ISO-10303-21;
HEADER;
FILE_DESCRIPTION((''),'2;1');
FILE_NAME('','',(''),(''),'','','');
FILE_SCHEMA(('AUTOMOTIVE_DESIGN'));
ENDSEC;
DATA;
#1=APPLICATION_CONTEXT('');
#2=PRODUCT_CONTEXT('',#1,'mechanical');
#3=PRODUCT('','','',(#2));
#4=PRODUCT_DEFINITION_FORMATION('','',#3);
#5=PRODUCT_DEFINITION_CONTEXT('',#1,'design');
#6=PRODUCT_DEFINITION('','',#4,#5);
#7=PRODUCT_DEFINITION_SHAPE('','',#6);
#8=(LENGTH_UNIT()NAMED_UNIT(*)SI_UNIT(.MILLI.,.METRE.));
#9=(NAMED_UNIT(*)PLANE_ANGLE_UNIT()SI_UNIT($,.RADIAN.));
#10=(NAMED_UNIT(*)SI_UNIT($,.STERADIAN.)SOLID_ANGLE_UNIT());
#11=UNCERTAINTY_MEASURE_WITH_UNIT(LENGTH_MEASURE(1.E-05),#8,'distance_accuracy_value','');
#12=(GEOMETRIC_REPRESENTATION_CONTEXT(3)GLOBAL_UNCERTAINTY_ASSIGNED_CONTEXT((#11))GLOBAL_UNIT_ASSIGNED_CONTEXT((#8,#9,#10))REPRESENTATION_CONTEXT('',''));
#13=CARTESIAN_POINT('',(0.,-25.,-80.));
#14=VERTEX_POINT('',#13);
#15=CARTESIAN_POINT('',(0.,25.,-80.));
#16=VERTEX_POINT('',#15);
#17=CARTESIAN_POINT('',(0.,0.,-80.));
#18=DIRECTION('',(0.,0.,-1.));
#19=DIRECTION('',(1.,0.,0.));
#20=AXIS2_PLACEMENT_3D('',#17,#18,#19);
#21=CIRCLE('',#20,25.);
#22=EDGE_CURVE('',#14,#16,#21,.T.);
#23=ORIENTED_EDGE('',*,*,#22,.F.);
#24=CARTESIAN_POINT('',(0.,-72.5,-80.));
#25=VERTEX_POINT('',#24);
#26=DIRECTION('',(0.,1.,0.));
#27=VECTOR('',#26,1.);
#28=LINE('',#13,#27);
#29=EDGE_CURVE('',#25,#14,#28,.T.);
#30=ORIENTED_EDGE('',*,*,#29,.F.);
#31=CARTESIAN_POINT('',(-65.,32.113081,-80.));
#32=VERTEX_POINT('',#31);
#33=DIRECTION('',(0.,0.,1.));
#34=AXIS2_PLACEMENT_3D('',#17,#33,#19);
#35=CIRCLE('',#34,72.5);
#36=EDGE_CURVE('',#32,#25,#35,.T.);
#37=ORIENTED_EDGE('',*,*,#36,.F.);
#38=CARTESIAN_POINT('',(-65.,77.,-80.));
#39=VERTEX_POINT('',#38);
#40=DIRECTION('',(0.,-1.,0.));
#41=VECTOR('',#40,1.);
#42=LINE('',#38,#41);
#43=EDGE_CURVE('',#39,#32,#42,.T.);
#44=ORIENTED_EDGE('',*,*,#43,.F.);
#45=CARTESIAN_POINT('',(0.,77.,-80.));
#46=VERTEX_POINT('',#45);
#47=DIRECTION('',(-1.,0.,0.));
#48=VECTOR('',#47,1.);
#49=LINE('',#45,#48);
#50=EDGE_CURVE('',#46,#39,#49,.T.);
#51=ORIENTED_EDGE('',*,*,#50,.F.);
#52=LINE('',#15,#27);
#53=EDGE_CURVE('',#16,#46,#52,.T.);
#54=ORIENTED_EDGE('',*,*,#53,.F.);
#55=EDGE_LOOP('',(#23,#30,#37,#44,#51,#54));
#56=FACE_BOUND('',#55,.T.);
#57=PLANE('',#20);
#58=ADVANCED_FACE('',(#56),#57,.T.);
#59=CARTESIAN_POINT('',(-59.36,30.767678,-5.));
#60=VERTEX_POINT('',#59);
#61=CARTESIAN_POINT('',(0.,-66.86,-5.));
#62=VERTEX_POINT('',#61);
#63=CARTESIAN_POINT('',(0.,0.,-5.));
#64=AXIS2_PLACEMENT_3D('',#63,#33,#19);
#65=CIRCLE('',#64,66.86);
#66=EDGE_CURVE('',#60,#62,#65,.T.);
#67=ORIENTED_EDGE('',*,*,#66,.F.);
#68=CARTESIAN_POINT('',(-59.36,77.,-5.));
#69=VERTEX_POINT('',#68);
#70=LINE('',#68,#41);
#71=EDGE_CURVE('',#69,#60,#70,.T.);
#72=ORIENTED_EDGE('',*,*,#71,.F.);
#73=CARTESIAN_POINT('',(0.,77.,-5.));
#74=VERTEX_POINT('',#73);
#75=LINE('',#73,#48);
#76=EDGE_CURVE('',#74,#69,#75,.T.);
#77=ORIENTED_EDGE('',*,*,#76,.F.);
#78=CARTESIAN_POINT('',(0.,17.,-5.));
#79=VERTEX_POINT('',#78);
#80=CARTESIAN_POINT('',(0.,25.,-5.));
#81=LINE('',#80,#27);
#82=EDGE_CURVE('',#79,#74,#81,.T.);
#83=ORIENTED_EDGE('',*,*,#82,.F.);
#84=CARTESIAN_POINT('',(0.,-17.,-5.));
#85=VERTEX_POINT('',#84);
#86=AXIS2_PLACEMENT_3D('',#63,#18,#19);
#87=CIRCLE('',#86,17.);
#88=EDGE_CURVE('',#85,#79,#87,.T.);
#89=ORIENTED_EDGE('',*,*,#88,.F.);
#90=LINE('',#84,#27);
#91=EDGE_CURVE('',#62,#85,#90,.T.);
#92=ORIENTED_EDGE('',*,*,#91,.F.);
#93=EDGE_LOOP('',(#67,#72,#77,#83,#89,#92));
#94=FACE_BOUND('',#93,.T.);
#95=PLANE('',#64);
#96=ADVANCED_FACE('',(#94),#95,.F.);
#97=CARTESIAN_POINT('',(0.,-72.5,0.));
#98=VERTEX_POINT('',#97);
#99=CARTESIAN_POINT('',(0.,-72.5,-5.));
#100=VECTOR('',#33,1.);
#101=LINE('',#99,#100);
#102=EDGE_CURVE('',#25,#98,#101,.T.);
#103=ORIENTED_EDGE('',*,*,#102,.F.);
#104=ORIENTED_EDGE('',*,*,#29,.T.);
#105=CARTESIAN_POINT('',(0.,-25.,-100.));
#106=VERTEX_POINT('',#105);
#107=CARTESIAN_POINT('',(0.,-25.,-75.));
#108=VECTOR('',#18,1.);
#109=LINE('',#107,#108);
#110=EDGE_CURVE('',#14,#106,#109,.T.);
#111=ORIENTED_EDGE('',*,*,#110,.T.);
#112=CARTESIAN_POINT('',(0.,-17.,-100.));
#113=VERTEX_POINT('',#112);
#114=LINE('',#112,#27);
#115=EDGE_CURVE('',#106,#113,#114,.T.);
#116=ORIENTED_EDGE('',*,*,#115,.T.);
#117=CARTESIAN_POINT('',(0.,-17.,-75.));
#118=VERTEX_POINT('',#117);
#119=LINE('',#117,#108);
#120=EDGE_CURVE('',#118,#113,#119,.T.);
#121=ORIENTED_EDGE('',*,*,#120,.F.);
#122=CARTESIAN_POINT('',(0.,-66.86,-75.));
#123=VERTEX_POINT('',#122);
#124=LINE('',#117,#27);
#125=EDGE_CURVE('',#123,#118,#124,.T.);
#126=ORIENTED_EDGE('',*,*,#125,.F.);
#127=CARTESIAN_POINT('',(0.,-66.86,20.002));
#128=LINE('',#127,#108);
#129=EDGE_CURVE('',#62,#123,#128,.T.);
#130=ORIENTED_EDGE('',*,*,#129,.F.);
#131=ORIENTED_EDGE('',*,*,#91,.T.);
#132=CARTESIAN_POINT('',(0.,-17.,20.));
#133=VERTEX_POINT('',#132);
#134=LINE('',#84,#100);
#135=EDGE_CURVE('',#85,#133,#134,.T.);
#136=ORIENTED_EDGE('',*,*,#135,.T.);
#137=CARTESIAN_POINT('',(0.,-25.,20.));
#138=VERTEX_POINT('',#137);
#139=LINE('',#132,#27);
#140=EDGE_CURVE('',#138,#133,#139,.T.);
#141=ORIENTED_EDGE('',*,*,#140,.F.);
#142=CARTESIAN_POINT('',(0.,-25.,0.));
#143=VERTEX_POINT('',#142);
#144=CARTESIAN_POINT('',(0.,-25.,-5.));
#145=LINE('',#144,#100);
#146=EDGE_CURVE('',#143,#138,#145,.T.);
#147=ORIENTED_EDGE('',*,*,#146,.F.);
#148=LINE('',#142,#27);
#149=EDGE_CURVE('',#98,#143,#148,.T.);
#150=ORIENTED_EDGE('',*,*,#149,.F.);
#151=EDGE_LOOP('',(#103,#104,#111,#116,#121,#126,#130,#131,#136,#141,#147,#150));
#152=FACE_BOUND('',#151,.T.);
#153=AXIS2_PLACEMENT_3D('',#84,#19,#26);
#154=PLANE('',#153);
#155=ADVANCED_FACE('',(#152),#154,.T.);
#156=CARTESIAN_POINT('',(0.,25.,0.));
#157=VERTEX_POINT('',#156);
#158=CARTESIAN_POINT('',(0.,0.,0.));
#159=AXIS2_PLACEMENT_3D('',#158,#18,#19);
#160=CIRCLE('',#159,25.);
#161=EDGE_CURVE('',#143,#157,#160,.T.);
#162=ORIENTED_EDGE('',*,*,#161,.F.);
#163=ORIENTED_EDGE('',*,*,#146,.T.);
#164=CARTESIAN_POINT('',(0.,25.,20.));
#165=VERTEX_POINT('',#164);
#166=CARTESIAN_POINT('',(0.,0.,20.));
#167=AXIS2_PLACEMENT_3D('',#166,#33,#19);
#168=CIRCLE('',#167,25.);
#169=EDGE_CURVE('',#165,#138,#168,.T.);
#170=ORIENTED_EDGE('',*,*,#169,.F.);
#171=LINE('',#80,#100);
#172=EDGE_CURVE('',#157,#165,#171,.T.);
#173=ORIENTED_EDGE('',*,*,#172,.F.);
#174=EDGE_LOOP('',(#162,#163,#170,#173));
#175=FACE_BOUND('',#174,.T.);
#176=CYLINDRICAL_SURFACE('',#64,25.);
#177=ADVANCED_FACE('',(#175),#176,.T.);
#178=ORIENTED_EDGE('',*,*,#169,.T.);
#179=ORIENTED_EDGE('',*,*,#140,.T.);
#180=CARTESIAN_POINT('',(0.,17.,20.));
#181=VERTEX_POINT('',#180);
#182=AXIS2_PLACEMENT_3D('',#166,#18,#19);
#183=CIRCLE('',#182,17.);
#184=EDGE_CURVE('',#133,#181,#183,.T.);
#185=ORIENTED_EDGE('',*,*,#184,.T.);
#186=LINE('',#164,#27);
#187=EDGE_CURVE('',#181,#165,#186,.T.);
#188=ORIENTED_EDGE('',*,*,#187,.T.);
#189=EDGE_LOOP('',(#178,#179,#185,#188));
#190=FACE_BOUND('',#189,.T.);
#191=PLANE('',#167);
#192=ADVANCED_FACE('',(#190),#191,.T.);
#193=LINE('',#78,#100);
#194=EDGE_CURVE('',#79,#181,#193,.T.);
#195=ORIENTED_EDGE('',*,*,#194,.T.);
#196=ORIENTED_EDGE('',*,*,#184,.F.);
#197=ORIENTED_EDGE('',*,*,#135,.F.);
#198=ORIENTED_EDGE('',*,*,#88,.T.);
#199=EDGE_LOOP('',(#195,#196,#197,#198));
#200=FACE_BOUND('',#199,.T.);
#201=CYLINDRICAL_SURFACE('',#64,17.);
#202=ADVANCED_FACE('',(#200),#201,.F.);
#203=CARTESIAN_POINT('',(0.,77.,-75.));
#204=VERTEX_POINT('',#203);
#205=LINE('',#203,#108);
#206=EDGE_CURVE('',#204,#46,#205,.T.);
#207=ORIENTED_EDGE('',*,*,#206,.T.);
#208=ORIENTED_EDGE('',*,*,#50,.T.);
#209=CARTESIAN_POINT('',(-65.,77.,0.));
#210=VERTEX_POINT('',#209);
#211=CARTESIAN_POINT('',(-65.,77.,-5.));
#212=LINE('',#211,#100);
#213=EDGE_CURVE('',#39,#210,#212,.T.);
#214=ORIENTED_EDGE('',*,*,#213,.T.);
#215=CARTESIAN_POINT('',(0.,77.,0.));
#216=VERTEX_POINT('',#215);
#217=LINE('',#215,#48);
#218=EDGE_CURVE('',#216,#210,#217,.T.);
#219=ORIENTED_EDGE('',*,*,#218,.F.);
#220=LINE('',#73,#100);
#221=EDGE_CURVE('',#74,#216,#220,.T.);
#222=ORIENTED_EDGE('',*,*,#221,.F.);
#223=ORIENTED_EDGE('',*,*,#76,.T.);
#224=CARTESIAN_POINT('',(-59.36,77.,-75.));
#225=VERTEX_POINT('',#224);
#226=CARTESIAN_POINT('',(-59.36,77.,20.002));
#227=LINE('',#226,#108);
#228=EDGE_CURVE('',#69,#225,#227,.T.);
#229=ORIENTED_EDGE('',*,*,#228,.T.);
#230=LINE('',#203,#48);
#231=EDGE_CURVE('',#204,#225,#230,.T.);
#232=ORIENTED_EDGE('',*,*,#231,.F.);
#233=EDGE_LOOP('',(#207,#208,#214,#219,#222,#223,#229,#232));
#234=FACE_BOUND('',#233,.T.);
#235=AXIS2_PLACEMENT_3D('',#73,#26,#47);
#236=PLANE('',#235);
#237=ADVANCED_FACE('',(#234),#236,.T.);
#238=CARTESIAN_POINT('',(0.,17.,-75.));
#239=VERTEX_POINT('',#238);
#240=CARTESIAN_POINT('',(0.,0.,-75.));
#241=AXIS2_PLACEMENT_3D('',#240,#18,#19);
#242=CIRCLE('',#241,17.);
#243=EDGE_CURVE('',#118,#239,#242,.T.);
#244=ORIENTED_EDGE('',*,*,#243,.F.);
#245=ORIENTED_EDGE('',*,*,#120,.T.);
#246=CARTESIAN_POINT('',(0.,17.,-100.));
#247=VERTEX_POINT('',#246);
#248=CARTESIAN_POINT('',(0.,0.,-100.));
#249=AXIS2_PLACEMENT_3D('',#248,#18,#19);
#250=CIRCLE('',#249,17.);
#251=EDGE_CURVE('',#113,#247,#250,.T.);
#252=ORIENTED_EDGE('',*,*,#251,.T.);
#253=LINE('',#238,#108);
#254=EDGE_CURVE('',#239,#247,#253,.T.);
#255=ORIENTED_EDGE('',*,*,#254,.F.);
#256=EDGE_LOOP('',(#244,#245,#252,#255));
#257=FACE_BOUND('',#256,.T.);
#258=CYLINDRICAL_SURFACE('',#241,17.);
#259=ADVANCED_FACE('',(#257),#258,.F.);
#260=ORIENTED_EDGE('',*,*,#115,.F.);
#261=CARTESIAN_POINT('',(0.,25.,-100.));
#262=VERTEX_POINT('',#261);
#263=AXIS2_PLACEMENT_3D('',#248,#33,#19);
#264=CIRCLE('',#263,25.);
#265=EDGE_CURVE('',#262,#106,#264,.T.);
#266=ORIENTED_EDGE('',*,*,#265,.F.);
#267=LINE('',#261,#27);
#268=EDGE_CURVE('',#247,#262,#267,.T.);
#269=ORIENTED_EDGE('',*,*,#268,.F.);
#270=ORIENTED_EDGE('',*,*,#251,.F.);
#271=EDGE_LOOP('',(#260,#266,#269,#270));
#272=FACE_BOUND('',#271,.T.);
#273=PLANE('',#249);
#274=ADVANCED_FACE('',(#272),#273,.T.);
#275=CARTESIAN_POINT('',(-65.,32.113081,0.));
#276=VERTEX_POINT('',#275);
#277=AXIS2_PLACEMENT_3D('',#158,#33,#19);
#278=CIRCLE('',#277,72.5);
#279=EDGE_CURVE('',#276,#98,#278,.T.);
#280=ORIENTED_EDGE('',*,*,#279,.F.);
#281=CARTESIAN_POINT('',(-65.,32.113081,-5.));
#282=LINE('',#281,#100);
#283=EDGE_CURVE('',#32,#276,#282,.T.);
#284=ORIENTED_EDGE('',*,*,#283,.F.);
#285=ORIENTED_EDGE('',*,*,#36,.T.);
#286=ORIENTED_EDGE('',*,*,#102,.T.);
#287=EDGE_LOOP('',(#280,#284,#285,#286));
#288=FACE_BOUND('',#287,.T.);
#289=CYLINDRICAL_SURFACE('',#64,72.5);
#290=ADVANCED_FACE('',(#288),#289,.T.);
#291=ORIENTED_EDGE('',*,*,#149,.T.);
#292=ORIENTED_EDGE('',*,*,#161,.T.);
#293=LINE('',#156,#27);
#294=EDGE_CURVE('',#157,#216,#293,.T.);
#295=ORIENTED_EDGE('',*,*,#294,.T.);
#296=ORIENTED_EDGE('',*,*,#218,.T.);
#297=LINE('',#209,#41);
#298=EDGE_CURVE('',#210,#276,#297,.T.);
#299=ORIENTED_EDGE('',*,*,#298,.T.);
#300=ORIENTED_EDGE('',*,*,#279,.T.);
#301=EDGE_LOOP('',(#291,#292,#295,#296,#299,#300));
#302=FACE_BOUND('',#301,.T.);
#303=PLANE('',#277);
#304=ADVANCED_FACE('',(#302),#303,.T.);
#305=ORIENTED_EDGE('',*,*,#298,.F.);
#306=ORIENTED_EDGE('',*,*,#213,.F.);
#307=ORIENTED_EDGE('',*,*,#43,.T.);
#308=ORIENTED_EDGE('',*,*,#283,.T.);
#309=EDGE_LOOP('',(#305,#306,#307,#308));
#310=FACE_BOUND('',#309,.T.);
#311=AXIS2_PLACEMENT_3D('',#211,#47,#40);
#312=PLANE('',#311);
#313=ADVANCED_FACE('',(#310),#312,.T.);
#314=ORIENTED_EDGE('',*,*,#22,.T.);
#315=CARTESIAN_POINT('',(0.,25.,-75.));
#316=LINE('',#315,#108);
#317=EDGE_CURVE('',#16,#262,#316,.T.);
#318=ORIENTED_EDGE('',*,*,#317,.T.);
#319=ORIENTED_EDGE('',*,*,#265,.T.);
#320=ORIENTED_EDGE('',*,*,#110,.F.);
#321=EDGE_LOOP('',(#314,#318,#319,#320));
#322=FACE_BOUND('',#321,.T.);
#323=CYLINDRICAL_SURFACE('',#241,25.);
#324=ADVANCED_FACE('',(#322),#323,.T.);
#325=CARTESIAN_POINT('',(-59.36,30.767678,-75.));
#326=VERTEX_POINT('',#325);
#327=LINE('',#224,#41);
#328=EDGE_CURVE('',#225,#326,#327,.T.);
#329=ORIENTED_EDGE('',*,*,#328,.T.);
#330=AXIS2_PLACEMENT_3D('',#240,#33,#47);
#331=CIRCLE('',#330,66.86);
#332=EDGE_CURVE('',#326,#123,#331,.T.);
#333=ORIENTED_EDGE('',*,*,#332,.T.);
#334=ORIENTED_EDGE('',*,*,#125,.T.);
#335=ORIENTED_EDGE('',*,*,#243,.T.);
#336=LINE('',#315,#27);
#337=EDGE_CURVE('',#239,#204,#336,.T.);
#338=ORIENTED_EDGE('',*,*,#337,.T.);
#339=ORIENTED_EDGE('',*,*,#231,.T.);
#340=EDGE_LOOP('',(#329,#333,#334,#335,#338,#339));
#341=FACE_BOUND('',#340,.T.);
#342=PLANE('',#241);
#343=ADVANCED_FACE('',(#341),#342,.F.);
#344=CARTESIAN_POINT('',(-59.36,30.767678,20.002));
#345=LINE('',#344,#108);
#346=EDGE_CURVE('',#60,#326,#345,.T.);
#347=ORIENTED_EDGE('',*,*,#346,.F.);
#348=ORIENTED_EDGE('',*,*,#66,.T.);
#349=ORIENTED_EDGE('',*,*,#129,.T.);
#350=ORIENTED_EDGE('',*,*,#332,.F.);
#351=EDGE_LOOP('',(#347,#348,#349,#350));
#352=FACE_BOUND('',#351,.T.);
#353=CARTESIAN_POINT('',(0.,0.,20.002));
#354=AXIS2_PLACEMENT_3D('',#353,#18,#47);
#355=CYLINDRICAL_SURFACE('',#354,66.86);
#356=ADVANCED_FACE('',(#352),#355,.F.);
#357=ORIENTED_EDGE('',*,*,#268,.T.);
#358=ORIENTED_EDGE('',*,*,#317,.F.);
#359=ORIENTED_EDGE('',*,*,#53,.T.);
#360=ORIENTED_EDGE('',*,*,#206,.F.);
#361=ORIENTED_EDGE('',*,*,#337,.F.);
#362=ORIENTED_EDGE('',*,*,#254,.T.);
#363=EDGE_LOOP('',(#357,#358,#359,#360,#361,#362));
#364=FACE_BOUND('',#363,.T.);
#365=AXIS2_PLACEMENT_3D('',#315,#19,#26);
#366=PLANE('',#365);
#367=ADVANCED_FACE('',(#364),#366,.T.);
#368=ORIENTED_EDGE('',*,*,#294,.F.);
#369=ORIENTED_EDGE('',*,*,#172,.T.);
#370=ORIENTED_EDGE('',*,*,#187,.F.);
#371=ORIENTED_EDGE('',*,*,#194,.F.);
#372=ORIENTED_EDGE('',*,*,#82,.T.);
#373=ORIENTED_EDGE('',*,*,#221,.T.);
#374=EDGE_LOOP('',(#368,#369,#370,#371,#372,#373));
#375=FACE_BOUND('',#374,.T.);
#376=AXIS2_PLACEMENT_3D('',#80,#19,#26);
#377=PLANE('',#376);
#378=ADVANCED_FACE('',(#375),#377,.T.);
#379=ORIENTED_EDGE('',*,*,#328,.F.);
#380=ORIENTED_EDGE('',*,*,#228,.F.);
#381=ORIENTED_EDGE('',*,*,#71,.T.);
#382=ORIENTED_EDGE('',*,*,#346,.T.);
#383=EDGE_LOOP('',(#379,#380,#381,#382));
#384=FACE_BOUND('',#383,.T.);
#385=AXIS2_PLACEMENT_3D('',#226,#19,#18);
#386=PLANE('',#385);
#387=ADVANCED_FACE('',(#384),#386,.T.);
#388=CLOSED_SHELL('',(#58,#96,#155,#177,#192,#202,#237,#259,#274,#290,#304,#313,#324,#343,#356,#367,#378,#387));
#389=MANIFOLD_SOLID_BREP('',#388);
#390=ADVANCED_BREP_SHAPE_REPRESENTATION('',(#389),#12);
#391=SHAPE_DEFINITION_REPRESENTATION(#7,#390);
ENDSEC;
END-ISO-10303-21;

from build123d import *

# Parameters (mm, degrees)
BOSS_EXTRUDE1_DEPTH      = 20
BOSS_EXTRUDE1_DEPTH_BACK = 5
BOSS_EXTRUDE2_START      = -5
BOSS_EXTRUDE2_DEPTH      = 5
BOSS_EXTRUDE3_REACH      = 152.552
BOSS_EXTRUDE3_START      = -5


with BuildPart() as part:
    # Sketch1 → Boss-Extrude1 (new, two sides: drawn at the far end of the back side and taken through both)
    with BuildSketch(Plane.XY.offset(-BOSS_EXTRUDE1_DEPTH_BACK)):
        with BuildLine():
            Line((0, 25), (0, 17))
            ThreePointArc((0, 17), (-17, 0), (0, -17))
            Line((0, -17), (0, -25))
            ThreePointArc((0, -25), (-25, 0), (0, 25))
        make_face()
    extrude(amount=BOSS_EXTRUDE1_DEPTH + BOSS_EXTRUDE1_DEPTH_BACK)

    # Sketch2 → Boss-Extrude2 (add)
    with BuildSketch(Plane.XY.offset(BOSS_EXTRUDE2_START)):
        with BuildLine():
            Line((0, 25), (0, 77))
            Line((0, 77), (-65, 77))
            Line((-65, 77), (-65, 32.113081447))
            ThreePointArc((-65, 32.113081447), (-61.581037686, -38.262590053), (0, -72.5))
            Line((0, -72.5), (0, -25))
            ThreePointArc((0, -25), (-25, 0), (0, 25))
        make_face()
    extrude(amount=BOSS_EXTRUDE2_DEPTH)


with BuildPart() as body_2:
    # Mirror4: mirrored copy
    add(part.part.mirror(Plane.XY.offset(-40)))


with BuildPart() as part_1:
    add(part.part)

    # Sketch3 → Boss-Extrude3 (add, up to next)
    with BuildSketch(Plane(origin=(0, 0, -80), x_dir=(-1, 0, 0), z_dir=(0, 0, -1)).offset(BOSS_EXTRUDE3_START), mode=Mode.PRIVATE) as boss_extrude3_sk1:
        with BuildLine():
            Line((65, 77), (65, 32.113081447))
            ThreePointArc((65, 32.113081447), (61.581037686, -38.262590053), (0, -72.5))
            Line((0, -72.5), (0, -66.86))
            ThreePointArc((0, -66.86), (57.128742944, -34.735663656), (59.36, 30.767677845))
            Line((59.36, 30.767677845), (59.36, 77))
            Line((59.36, 77), (65, 77))
        make_face()
    boss_extrude3_tool1 = extrude(boss_extrude3_sk1.sketch, amount=-BOSS_EXTRUDE3_REACH, mode=Mode.PRIVATE) - part_1.part

    add(body_2.part)  # Boss-Extrude3 merges body 2
    add(boss_extrude3_tool1.solids().sort_by_distance((-61.02152, 53.883839, -75))[0])


solid = part_1.part
